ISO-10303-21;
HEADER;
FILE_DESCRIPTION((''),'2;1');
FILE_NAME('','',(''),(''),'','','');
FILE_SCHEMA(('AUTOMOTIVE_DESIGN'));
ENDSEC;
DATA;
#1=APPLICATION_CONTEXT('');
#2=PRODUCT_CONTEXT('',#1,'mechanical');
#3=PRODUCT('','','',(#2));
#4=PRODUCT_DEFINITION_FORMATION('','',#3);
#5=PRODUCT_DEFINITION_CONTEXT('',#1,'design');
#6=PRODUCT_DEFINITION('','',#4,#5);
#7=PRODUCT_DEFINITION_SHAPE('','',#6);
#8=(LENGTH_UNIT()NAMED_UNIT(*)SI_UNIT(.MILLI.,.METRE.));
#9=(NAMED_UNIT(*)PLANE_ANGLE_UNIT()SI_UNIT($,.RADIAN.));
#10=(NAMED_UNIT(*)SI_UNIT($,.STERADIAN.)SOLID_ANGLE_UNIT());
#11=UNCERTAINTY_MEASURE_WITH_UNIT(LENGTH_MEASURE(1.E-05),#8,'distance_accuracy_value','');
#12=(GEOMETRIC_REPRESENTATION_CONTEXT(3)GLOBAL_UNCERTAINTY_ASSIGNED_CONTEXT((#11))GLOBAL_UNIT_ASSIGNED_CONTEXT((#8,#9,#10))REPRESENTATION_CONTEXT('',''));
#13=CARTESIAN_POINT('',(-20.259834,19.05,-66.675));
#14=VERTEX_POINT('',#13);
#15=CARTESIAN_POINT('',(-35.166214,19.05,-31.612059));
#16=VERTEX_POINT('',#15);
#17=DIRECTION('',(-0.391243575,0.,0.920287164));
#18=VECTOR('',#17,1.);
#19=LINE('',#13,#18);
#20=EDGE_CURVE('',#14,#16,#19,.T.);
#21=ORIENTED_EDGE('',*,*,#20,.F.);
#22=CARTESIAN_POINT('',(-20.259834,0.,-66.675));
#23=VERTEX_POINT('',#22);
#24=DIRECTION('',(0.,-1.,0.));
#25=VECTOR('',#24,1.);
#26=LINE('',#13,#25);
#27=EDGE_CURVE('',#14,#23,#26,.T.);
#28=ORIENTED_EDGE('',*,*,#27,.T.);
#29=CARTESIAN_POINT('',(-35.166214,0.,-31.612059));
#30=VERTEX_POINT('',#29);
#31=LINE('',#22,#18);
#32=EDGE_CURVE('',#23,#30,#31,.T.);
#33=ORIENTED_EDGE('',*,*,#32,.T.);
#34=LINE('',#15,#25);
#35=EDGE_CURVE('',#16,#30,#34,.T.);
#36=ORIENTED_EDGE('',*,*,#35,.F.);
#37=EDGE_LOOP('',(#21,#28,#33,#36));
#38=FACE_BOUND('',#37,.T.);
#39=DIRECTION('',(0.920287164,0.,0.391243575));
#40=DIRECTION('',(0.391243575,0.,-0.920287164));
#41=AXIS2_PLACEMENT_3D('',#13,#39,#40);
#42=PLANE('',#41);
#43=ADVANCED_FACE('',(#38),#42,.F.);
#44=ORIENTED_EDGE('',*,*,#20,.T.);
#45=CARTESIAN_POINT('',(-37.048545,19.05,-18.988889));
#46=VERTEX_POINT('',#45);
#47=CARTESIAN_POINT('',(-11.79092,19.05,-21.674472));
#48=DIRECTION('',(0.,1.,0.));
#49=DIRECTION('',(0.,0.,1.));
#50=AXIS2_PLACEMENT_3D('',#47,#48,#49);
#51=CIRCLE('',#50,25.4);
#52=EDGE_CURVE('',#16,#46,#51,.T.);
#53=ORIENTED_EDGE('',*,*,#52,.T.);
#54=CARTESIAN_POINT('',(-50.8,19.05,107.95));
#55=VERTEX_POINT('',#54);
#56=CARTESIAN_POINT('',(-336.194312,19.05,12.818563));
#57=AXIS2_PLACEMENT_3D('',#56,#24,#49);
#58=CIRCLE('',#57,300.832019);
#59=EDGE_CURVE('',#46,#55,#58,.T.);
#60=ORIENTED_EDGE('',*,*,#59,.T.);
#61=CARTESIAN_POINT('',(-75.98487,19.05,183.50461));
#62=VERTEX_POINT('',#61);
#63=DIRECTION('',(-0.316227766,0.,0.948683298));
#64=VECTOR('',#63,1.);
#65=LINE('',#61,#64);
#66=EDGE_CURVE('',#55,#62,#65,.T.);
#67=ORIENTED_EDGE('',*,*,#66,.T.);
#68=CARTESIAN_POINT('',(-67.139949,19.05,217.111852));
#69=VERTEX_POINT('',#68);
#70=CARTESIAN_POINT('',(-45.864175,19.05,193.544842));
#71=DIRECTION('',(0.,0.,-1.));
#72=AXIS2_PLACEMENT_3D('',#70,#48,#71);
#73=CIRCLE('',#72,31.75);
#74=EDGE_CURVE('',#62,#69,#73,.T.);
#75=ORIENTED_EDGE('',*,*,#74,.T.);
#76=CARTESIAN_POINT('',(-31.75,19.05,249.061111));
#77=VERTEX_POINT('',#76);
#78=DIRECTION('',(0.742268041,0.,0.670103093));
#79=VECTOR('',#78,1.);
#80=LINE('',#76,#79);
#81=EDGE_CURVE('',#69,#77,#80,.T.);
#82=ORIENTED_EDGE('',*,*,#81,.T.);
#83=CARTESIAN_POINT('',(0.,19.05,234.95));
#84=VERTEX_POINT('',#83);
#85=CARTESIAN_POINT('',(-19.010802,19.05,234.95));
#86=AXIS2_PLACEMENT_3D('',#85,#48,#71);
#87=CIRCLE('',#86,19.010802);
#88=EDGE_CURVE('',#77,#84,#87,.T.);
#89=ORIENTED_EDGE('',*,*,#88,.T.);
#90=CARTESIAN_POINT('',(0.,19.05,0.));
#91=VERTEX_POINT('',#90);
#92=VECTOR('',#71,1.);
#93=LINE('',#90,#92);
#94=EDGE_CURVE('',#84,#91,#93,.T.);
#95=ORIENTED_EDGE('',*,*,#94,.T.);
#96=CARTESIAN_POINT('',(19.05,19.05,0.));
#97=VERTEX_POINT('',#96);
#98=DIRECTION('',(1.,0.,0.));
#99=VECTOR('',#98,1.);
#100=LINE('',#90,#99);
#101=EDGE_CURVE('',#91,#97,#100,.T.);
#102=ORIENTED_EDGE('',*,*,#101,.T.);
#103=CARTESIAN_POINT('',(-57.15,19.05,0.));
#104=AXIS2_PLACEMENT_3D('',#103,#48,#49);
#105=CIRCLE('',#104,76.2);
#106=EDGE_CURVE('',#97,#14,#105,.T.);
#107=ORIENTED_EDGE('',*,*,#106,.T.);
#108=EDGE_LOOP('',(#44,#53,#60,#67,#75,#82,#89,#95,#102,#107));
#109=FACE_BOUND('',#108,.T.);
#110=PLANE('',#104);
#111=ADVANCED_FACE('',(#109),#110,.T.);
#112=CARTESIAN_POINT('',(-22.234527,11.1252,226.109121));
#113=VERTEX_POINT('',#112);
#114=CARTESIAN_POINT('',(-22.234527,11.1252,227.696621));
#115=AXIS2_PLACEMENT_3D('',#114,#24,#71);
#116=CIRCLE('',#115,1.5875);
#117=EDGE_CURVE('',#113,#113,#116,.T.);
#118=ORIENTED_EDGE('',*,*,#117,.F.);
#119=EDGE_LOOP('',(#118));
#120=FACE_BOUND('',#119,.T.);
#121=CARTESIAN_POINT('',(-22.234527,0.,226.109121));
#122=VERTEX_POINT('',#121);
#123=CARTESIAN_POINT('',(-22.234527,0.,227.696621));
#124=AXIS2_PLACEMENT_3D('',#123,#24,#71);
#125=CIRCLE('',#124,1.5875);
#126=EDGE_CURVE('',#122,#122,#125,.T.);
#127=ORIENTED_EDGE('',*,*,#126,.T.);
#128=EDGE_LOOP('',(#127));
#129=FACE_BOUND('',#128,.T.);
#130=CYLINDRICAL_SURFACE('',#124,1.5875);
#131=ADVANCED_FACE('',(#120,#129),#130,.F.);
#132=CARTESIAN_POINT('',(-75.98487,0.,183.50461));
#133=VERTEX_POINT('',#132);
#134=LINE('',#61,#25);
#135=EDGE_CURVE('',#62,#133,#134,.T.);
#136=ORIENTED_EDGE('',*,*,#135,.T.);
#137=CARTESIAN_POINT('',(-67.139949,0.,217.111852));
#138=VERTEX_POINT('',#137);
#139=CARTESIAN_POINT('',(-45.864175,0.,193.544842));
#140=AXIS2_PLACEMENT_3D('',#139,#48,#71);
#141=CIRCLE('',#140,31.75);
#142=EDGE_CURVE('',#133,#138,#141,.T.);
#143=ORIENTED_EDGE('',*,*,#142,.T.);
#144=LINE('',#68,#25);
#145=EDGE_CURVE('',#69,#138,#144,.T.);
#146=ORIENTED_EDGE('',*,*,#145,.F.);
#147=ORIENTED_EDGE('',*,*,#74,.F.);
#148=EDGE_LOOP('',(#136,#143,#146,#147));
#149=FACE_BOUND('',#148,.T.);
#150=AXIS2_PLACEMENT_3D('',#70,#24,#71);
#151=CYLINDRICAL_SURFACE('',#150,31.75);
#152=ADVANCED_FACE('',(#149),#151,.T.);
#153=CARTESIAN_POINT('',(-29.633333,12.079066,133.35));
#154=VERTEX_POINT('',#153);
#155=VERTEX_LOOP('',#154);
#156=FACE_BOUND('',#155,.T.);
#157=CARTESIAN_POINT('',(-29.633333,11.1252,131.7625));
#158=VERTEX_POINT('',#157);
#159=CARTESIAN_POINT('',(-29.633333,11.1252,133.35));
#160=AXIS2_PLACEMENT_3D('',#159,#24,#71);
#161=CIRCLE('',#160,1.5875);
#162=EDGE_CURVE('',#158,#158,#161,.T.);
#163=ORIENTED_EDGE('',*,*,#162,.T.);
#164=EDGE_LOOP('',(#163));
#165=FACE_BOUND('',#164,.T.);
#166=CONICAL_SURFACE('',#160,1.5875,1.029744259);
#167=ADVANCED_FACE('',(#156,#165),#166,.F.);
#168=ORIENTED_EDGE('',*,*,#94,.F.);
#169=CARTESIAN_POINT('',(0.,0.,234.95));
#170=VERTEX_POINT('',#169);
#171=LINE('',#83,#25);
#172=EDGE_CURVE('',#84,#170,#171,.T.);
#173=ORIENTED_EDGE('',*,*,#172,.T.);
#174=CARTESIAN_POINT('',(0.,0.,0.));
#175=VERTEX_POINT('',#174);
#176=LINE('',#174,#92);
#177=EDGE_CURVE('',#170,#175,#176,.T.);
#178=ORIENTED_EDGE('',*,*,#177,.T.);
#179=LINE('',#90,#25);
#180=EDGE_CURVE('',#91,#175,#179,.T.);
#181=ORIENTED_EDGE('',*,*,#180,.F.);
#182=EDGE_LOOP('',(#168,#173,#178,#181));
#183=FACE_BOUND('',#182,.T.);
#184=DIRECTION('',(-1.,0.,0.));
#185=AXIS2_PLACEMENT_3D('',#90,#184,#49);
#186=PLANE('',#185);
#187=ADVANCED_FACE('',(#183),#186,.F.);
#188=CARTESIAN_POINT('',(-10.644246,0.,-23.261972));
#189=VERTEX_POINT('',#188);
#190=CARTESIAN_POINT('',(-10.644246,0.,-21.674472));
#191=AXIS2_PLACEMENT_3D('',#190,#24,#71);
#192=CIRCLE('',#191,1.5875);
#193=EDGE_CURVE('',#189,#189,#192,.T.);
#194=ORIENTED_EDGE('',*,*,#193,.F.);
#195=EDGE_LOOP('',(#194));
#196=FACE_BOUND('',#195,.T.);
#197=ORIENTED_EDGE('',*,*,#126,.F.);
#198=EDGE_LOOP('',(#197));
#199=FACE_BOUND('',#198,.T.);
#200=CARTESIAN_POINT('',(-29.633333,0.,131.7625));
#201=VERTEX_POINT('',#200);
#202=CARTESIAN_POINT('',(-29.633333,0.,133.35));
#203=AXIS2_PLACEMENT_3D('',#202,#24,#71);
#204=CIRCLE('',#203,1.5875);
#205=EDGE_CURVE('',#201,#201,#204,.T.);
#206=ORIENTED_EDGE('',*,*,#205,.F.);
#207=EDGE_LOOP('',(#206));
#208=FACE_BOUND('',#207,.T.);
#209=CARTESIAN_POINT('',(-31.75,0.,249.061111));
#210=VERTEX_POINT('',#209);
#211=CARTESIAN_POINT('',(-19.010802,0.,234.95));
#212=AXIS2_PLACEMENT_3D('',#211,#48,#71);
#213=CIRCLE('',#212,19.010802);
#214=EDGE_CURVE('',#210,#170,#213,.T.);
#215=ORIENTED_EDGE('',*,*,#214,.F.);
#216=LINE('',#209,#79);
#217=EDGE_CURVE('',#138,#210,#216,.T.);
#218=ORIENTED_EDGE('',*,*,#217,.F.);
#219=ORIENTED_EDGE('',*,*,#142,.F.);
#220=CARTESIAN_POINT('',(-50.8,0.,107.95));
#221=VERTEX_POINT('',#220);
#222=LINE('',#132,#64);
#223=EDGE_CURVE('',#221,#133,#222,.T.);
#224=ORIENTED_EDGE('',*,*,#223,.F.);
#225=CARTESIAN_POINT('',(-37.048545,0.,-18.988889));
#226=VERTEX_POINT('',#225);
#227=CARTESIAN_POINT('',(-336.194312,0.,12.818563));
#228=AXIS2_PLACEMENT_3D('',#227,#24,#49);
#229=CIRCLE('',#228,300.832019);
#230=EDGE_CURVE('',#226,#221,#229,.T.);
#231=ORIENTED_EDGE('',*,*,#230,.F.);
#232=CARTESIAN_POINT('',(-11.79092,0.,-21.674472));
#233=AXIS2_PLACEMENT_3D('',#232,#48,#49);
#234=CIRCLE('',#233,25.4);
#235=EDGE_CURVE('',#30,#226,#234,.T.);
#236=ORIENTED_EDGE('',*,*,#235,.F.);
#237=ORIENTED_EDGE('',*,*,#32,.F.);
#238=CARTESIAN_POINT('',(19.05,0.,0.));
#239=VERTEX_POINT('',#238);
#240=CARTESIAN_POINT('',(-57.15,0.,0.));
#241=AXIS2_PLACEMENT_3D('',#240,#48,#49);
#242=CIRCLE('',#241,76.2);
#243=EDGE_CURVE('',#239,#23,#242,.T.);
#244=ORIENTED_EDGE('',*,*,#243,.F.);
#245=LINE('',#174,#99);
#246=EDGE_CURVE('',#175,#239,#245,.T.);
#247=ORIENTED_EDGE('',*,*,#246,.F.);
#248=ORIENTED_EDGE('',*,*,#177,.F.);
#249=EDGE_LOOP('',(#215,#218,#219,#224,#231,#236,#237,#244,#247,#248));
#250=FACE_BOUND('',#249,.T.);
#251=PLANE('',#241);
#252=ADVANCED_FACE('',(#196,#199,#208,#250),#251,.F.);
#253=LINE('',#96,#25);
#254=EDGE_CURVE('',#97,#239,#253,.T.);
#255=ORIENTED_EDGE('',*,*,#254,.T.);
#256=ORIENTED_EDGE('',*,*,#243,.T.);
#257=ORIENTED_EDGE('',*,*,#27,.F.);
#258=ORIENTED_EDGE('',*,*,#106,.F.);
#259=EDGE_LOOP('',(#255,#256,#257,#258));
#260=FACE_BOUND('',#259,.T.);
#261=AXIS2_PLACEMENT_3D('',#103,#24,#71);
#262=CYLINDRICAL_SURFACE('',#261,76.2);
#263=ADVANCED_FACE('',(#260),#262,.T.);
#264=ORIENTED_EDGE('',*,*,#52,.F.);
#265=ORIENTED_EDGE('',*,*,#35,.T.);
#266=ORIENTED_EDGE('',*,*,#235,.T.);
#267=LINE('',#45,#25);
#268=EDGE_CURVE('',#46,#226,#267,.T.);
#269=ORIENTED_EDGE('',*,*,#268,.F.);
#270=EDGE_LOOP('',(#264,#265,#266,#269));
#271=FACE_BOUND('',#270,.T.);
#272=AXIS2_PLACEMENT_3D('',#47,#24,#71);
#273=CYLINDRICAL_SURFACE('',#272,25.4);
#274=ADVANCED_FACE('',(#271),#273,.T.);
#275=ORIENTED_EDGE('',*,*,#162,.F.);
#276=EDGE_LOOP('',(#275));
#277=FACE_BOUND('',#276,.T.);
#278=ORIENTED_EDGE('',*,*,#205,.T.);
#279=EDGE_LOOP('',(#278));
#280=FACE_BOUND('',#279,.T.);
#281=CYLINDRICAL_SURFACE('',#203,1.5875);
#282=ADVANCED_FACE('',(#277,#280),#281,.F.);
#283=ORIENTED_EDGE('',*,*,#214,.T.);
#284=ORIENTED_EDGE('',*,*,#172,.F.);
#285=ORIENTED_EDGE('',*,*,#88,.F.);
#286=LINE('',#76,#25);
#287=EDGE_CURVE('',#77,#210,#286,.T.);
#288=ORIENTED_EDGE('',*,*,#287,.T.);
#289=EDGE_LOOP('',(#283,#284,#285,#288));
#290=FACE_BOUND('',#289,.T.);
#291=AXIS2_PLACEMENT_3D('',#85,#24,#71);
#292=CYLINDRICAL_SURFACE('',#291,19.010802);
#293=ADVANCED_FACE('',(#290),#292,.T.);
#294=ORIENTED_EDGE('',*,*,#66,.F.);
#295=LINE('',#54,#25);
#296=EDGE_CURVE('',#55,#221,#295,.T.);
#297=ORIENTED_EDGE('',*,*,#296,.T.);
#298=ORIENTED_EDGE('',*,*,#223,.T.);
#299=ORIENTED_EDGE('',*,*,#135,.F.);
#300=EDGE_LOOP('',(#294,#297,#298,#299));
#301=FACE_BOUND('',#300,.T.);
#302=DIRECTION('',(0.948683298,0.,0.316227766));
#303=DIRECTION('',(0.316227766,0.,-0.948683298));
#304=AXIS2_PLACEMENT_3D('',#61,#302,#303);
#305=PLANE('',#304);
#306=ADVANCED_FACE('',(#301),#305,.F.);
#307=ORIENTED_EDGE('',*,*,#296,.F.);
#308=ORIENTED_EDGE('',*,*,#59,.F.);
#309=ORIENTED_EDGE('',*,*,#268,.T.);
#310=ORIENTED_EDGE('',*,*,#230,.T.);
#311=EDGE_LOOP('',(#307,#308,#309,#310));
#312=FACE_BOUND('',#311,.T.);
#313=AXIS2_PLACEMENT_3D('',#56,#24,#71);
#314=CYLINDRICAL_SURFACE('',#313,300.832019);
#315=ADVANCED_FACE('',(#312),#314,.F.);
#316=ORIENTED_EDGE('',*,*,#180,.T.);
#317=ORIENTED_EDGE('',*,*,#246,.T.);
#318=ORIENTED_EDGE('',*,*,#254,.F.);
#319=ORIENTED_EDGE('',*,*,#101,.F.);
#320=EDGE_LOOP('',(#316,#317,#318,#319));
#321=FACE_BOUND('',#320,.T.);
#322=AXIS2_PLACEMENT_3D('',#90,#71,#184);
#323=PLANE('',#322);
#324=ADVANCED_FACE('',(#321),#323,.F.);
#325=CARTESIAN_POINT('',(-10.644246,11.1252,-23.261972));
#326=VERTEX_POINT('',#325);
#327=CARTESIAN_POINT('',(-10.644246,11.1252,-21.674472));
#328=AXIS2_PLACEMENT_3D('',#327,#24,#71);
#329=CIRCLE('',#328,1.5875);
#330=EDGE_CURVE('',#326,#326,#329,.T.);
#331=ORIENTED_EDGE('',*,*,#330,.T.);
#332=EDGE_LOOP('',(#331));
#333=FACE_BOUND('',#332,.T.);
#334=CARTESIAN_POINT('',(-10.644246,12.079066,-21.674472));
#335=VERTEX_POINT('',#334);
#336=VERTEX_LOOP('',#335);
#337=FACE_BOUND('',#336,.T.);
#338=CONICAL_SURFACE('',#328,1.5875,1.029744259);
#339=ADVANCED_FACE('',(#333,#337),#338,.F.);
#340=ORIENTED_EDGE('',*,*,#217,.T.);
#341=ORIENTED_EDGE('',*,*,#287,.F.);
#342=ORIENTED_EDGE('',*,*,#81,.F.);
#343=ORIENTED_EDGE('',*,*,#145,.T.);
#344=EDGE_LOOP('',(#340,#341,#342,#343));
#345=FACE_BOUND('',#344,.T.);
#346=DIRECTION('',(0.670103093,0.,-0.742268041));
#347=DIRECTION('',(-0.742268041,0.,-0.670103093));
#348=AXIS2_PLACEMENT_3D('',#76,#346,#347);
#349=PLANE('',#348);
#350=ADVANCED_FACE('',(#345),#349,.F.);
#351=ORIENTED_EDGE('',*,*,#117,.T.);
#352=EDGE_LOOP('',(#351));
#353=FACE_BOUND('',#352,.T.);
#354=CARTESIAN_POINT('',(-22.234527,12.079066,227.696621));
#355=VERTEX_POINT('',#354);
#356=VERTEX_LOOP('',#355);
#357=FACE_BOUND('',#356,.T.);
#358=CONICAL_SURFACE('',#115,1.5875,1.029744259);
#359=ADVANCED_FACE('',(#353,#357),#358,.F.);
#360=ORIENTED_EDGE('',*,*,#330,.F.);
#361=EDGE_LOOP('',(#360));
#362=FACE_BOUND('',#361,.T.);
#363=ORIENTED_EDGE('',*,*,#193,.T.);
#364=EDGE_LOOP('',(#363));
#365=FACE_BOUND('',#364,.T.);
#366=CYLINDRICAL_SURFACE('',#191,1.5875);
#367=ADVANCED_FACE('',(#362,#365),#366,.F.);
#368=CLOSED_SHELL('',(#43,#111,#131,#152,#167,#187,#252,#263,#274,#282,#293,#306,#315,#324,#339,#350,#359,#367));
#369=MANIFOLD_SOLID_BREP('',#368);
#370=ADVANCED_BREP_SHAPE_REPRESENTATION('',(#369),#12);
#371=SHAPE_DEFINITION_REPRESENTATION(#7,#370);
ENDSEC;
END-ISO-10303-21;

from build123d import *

# Parameters (mm, degrees)
BOSS_EXTRUDE1_DEPTH              = 19.05
F_1_8_0_125_DIAMETER_HOLE1_D     = 3.175
F_1_8_0_125_DIAMETER_HOLE1_DEPTH = 11.1252
F_1_8_0_125_DIAMETER_HOLE1_TIP   = 0.953866233


with BuildPart() as part:
    # Sketch1 → Boss-Extrude1 (new body)
    with BuildSketch(Plane(origin=(0, 0, 0), x_dir=(1, 0, 0), z_dir=(0, 1, 0))):
        with BuildLine():
            Line((0, 0), (0, -234.95))
            ThreePointArc((0, -234.95), (-11.289784316, -252.322290845), (-31.75, -249.061111111))
            Line((-31.75, -249.061111111), (-67.13994853, -217.111852022))
            ThreePointArc((-67.13994853, -217.111852022), (-76.568587152, -201.625781937), (-75.984870047, -183.504610141))
            Line((-75.984870047, -183.504610141), (-50.8, -107.95))
            ThreePointArc((-50.8, -107.95), (-37.112138852, -45.218522559), (-37.04854536, 18.988889479))
            ThreePointArc((-37.04854536, 18.988889479), (-36.913147406, 25.420628086), (-35.166213845, 31.612059039))
            Line((-35.166213845, 31.612059039), (-20.259833627, 66.675))
            ThreePointArc((-20.259833627, 66.675), (8.490957784, 38.700189421), (19.05, 0))
            Line((19.05, 0), (0, 0))
        make_face()
    extrude(amount=BOSS_EXTRUDE1_DEPTH)

    # 1/8 (0.125) Diameter Hole1
    with Locations(Plane(origin=(0, 0, 0), x_dir=(-1, 0, 0), z_dir=(0, -1, 0))):
        with Locations((10.644245878, 21.674472227), (29.633333333, -133.35), (22.234526543, -227.696620833)):
            Hole(F_1_8_0_125_DIAMETER_HOLE1_D / 2, depth=F_1_8_0_125_DIAMETER_HOLE1_DEPTH)
            with Locations((0, 0, -(F_1_8_0_125_DIAMETER_HOLE1_DEPTH + F_1_8_0_125_DIAMETER_HOLE1_TIP / 2))):  # 118° drill point
                Cone(0, F_1_8_0_125_DIAMETER_HOLE1_D / 2, F_1_8_0_125_DIAMETER_HOLE1_TIP, mode=Mode.SUBTRACT)


solid = part.part
